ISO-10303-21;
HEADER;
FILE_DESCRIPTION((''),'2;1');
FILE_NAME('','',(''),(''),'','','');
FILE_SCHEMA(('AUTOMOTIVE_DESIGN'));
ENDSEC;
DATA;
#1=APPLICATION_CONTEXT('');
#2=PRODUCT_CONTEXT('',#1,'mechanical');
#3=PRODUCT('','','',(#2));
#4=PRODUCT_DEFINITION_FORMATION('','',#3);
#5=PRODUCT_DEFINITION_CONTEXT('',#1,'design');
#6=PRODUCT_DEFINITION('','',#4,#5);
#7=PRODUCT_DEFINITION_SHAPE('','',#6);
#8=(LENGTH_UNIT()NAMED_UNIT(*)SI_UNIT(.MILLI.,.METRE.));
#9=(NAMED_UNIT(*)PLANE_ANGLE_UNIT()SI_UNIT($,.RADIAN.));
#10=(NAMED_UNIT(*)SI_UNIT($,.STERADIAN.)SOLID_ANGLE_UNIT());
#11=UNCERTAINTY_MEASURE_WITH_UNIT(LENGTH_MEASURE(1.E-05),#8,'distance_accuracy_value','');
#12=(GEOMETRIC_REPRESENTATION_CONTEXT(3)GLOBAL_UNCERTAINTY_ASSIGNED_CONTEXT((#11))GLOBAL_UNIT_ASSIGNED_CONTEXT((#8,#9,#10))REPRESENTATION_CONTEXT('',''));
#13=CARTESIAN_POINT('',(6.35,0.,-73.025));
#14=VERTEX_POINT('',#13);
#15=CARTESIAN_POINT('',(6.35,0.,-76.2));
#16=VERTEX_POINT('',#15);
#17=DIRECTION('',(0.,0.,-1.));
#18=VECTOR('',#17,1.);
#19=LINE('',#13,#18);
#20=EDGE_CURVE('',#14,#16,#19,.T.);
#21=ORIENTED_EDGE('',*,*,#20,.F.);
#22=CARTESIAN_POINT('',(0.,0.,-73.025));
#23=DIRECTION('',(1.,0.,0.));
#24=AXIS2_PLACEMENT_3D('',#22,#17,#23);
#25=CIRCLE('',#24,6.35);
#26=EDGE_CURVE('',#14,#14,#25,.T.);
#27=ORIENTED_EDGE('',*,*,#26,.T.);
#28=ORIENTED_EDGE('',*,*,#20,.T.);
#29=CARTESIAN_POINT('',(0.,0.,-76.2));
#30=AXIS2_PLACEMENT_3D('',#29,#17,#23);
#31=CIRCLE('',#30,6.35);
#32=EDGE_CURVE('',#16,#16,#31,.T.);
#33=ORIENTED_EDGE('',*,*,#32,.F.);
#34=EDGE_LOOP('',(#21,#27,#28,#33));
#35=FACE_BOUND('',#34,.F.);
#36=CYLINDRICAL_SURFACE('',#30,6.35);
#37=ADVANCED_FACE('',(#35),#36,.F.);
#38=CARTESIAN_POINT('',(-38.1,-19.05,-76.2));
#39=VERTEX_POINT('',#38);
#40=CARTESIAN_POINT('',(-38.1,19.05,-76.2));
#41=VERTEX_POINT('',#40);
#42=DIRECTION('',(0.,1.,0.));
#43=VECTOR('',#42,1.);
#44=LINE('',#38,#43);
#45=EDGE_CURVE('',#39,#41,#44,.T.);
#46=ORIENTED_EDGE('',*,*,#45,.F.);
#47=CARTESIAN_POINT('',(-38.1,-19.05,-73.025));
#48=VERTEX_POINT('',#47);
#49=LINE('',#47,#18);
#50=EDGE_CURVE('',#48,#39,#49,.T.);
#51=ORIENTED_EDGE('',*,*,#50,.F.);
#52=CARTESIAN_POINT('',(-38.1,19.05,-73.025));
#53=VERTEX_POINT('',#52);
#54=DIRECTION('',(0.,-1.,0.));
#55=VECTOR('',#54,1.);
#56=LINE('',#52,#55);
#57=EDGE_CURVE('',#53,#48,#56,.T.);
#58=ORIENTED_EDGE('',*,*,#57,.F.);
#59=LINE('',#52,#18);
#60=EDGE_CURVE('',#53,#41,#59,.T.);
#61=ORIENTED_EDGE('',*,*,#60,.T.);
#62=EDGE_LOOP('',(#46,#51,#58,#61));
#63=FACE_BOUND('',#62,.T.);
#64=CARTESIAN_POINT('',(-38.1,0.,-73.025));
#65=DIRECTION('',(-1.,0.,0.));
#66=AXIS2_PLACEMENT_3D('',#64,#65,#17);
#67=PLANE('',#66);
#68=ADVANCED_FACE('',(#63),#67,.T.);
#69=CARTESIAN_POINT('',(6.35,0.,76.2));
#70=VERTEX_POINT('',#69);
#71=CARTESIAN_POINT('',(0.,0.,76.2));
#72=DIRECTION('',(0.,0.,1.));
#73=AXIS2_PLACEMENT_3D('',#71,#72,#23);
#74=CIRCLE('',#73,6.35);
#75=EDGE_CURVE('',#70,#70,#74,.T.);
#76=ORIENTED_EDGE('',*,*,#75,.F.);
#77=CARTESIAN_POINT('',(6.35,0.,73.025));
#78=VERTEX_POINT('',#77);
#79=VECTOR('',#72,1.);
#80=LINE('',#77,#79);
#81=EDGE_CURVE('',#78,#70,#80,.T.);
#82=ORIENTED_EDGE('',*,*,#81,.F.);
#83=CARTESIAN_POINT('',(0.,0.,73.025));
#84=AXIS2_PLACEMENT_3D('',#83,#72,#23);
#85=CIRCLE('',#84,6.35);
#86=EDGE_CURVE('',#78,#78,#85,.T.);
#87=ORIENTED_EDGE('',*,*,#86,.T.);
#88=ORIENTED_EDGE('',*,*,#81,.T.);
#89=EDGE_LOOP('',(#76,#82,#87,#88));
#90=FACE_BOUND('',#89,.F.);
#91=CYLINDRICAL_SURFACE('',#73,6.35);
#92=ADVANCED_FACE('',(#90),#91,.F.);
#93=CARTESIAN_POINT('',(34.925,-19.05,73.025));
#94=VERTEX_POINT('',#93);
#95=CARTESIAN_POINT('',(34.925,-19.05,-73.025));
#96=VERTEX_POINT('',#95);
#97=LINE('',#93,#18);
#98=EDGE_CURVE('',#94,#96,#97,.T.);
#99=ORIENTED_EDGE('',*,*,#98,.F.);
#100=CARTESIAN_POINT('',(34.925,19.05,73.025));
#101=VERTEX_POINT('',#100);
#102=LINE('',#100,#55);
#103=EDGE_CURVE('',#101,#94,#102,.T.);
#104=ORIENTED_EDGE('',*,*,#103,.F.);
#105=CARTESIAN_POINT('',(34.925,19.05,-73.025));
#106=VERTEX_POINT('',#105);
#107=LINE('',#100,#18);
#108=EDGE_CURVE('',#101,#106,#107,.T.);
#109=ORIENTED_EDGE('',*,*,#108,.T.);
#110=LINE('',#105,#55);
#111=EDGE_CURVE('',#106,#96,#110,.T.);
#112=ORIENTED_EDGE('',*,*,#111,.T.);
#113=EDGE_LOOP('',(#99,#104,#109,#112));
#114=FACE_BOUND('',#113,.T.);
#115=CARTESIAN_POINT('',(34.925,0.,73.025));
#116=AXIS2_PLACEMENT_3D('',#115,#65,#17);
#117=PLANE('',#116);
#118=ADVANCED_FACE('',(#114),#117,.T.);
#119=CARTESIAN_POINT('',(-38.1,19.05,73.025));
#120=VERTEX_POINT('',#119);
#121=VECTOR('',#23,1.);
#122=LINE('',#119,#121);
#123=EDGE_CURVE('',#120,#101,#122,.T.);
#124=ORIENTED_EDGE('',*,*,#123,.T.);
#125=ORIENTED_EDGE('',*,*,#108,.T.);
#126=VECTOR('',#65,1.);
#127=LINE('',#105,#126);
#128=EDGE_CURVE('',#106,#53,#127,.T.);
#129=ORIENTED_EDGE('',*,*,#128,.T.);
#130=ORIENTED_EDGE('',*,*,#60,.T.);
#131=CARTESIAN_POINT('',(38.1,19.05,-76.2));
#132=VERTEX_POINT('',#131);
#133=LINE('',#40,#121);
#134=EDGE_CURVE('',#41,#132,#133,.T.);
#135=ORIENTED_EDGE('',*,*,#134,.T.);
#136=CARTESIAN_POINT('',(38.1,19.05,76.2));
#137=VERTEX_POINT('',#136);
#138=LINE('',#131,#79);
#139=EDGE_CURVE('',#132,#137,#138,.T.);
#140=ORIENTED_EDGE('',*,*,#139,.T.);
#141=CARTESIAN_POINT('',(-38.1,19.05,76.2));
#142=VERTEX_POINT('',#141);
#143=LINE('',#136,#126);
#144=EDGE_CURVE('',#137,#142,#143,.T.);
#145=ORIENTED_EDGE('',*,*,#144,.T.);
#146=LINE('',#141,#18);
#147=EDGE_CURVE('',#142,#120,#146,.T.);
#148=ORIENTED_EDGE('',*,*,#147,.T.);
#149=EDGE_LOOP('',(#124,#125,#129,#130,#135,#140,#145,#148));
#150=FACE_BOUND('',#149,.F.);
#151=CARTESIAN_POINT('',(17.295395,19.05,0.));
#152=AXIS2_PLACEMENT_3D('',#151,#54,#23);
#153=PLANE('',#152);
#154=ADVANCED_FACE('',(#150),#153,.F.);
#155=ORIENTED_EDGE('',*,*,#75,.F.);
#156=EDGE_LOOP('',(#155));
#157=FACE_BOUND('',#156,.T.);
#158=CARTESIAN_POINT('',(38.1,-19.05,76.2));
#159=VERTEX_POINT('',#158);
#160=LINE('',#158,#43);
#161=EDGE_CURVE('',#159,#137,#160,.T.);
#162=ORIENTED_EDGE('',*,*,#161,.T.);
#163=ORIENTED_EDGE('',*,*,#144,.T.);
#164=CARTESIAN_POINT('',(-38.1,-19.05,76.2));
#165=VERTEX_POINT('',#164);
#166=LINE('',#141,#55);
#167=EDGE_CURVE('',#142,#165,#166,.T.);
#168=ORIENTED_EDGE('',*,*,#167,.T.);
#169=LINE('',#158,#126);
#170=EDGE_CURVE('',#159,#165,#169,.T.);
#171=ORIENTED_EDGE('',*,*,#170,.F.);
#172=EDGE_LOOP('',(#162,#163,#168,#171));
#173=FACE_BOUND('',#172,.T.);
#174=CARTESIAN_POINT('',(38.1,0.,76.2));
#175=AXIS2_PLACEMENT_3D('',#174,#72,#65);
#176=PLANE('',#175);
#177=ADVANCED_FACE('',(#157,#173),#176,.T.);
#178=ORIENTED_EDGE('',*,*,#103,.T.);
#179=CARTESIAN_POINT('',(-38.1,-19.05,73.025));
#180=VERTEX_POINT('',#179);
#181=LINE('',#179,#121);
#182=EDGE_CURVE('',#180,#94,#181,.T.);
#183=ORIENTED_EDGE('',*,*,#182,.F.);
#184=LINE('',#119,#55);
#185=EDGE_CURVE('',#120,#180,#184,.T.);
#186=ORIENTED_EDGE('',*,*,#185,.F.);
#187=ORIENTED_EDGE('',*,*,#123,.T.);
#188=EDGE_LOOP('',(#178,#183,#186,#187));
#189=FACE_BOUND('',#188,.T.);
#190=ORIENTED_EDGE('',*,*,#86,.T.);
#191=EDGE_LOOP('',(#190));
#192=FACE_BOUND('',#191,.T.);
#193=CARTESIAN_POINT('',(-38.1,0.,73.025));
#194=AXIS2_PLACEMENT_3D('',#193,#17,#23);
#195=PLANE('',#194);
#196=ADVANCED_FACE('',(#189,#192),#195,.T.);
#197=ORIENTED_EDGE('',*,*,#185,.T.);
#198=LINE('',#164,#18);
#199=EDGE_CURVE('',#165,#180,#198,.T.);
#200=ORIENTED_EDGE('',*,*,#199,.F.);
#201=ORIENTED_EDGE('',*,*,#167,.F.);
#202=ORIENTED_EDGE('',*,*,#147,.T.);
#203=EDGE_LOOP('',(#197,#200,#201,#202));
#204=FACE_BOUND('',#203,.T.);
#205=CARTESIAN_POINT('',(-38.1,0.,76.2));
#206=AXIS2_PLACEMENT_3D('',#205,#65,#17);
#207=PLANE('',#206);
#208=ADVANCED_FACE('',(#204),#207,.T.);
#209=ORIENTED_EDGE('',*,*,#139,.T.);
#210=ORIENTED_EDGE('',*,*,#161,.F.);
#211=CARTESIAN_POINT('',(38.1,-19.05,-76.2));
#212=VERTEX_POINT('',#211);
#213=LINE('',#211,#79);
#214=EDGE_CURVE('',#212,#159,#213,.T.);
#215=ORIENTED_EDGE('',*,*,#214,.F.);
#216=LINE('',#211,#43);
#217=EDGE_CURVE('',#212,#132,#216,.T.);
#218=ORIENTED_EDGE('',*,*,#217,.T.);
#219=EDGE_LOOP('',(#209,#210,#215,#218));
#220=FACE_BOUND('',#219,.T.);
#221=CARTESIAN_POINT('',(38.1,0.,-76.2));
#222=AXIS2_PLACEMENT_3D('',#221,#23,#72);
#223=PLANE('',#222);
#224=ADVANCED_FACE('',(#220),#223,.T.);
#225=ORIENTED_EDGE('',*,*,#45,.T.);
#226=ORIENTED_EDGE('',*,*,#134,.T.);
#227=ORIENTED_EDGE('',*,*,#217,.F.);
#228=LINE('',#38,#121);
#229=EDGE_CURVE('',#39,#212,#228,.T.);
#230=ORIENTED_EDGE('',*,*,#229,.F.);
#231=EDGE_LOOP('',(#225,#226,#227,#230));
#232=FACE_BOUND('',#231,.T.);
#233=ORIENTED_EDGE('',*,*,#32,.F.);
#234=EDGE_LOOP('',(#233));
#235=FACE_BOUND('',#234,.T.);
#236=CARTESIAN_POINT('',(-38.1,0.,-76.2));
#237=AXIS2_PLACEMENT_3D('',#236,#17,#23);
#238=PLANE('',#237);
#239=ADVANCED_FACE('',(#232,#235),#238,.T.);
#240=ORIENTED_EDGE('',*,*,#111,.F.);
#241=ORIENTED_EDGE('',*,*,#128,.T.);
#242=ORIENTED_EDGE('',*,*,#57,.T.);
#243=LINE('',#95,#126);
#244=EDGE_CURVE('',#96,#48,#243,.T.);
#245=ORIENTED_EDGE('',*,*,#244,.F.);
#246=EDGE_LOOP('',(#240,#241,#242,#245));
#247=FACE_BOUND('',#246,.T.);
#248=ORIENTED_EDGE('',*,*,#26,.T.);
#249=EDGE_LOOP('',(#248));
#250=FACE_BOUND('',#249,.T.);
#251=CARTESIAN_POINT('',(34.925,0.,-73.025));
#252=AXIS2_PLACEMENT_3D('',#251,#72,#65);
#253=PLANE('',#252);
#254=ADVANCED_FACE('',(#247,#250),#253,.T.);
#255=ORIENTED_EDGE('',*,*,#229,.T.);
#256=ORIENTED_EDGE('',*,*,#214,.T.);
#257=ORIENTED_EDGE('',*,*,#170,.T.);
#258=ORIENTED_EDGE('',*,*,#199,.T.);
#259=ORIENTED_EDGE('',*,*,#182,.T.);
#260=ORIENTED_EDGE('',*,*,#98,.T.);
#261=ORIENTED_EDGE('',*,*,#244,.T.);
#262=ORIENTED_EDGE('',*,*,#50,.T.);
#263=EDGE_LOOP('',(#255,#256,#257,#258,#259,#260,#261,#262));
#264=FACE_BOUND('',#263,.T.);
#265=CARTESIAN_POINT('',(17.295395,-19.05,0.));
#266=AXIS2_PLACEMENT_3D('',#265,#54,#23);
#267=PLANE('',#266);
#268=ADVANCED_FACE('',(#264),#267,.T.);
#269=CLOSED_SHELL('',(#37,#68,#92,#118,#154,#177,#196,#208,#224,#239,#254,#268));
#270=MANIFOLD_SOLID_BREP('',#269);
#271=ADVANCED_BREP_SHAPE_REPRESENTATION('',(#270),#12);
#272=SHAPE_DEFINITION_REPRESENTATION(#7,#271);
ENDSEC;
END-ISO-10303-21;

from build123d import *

# Parameters (mm, degrees)
F1_DEPTH = 19.05
F2_R     = 6.35
F3_DEPTH = 3.175
F4_R     = 6.35
F5_DEPTH = 3.175


with BuildPart() as f1:
    # F0 (on Front) → F1 (new body, symmetric)
    with BuildSketch(Plane.XZ):
        Polygon((38.1, 76.2), (-38.1, 76.2), (-38.1, 73.025), (34.925, 73.025), (34.925, -73.025), (-38.1, -73.025), (-38.1, -76.2), (38.1, -76.2), align=None)
    extrude(amount=F1_DEPTH, both=True)

    # F2 (on face) → F3 (cut, symmetric)
    with BuildSketch(Plane.XY.offset(76.2)):
        Circle(F2_R)
    extrude(amount=F3_DEPTH, both=True, mode=Mode.SUBTRACT)

    # F4 (on face) → F5 (cut, symmetric)
    with BuildSketch(Plane(origin=(0, 0, -76.2), x_dir=(1, 0, 0), z_dir=(0, 0, -1))):
        Circle(F4_R)
    extrude(amount=F5_DEPTH, both=True, mode=Mode.SUBTRACT)


solid = f1.part
